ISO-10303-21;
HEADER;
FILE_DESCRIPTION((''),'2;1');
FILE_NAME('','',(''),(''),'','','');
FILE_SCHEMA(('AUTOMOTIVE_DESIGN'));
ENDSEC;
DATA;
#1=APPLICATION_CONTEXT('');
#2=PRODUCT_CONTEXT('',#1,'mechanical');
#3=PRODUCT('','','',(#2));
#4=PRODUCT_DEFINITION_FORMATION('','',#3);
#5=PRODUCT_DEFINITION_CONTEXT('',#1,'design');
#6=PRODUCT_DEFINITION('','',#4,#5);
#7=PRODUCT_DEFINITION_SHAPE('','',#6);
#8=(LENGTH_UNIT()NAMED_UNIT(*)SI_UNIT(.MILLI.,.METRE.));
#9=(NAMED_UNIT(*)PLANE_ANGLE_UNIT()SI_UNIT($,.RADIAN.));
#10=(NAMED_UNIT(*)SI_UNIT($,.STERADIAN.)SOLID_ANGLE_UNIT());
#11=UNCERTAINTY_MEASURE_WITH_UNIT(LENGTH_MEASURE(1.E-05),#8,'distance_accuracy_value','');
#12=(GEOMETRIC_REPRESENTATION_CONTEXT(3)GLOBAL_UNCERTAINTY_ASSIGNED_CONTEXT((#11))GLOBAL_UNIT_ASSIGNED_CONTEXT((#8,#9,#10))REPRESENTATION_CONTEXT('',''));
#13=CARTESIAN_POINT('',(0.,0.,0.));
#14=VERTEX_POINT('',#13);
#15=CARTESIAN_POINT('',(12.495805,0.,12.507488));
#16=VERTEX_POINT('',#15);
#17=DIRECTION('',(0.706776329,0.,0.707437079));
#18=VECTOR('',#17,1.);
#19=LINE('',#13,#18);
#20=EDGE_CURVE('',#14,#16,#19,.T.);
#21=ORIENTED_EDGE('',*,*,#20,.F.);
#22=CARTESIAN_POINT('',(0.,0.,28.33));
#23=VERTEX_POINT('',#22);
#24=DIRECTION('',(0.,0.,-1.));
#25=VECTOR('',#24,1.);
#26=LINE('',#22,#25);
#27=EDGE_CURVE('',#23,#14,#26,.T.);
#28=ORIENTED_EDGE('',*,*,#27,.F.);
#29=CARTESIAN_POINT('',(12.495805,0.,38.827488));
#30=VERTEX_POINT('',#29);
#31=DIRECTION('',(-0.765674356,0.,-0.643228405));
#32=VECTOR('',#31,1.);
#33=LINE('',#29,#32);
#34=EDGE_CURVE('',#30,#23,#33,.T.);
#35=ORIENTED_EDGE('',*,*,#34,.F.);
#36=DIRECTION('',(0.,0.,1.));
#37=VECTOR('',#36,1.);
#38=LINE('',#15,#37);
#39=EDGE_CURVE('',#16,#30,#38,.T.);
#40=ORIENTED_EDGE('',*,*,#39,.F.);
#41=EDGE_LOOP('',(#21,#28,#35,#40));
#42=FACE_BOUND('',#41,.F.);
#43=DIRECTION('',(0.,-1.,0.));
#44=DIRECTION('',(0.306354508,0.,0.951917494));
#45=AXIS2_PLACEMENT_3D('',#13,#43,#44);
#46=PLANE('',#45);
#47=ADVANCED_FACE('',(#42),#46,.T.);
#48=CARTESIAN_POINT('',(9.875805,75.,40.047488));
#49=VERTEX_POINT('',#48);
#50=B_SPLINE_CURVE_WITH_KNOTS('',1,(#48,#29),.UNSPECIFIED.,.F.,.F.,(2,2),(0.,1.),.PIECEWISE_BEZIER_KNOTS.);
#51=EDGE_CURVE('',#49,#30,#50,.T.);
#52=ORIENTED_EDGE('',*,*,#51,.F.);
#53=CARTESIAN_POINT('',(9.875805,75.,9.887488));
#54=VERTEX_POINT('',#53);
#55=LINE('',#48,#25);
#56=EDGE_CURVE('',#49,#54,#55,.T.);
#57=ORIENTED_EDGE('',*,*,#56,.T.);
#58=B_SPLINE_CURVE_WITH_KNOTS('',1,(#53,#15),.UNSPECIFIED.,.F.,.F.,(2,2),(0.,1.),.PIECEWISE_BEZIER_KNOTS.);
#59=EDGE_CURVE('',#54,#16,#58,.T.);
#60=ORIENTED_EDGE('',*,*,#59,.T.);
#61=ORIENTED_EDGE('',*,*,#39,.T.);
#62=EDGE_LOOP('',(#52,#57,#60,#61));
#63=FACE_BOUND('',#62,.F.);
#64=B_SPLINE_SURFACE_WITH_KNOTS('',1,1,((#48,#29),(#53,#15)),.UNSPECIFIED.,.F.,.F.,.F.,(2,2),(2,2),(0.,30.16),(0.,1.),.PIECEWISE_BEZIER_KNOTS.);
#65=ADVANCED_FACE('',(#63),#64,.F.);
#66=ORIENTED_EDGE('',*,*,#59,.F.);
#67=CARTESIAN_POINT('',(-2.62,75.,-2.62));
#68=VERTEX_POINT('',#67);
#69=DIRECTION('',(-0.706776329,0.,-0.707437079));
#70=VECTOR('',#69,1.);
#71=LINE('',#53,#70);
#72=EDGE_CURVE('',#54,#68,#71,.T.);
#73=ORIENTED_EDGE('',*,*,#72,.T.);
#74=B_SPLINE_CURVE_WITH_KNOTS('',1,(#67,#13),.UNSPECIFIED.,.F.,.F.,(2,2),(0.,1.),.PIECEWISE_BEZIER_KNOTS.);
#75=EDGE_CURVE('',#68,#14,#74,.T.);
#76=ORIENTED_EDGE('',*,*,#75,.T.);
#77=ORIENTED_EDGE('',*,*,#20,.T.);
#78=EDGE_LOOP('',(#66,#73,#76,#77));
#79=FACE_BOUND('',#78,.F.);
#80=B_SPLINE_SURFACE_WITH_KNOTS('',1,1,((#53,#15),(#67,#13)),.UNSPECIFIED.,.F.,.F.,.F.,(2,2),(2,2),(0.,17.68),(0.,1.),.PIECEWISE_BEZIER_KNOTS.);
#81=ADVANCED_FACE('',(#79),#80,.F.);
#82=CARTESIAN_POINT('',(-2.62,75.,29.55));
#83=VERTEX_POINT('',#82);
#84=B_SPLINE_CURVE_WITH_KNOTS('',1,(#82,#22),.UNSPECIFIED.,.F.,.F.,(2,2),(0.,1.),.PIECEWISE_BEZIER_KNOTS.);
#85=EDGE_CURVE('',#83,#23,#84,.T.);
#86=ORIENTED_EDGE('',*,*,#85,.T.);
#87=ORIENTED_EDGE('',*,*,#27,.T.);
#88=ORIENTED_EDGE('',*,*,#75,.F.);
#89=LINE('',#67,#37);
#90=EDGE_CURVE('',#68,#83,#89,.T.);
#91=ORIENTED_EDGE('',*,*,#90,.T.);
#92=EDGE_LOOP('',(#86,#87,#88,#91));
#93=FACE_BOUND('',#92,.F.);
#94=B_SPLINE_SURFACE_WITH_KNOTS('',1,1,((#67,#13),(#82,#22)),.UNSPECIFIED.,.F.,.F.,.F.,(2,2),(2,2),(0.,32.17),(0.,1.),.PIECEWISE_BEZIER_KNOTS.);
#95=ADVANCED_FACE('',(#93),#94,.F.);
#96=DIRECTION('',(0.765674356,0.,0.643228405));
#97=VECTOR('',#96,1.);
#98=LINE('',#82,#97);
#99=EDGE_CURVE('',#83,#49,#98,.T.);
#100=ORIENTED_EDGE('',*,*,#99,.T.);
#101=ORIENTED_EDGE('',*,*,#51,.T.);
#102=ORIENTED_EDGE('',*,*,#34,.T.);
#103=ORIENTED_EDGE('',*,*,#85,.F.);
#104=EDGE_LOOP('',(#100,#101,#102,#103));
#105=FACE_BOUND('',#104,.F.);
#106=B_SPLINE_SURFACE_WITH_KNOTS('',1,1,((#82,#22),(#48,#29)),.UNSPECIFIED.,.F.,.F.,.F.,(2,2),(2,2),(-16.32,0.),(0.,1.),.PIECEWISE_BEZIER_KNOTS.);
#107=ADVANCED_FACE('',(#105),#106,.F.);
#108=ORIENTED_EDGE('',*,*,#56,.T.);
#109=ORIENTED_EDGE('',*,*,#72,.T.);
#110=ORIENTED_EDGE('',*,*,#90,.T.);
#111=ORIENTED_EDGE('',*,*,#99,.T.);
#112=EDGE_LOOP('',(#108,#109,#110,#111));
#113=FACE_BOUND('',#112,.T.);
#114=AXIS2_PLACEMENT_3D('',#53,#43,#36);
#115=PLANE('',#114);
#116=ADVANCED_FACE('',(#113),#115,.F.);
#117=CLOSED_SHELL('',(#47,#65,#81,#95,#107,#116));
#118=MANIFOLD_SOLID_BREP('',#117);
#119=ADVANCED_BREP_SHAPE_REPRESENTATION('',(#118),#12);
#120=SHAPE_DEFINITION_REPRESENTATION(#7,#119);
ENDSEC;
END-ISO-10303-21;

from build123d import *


with BuildPart() as part:
    # Croquis2 → Recubrir1 section 0
    with BuildSketch(Plane(origin=(0, 75, 0), x_dir=(1, 0, 0), z_dir=(0, 1, 0))):
        Polygon((9.875805492, -9.887487562), (-2.62, 2.62), (-2.62, -29.55), (9.875805492, -40.047487562), align=None)
    # Croquis1 → Recubrir1 section 1
    with BuildSketch(Plane(origin=(0, 0, 0), x_dir=(1, 0, 0), z_dir=(0, 1, 0))):
        Polygon((12.495805492, -38.827487562), (0, -28.33), (0, 0), (12.495805492, -12.507487562), align=None)
    loft()


solid = part.part
